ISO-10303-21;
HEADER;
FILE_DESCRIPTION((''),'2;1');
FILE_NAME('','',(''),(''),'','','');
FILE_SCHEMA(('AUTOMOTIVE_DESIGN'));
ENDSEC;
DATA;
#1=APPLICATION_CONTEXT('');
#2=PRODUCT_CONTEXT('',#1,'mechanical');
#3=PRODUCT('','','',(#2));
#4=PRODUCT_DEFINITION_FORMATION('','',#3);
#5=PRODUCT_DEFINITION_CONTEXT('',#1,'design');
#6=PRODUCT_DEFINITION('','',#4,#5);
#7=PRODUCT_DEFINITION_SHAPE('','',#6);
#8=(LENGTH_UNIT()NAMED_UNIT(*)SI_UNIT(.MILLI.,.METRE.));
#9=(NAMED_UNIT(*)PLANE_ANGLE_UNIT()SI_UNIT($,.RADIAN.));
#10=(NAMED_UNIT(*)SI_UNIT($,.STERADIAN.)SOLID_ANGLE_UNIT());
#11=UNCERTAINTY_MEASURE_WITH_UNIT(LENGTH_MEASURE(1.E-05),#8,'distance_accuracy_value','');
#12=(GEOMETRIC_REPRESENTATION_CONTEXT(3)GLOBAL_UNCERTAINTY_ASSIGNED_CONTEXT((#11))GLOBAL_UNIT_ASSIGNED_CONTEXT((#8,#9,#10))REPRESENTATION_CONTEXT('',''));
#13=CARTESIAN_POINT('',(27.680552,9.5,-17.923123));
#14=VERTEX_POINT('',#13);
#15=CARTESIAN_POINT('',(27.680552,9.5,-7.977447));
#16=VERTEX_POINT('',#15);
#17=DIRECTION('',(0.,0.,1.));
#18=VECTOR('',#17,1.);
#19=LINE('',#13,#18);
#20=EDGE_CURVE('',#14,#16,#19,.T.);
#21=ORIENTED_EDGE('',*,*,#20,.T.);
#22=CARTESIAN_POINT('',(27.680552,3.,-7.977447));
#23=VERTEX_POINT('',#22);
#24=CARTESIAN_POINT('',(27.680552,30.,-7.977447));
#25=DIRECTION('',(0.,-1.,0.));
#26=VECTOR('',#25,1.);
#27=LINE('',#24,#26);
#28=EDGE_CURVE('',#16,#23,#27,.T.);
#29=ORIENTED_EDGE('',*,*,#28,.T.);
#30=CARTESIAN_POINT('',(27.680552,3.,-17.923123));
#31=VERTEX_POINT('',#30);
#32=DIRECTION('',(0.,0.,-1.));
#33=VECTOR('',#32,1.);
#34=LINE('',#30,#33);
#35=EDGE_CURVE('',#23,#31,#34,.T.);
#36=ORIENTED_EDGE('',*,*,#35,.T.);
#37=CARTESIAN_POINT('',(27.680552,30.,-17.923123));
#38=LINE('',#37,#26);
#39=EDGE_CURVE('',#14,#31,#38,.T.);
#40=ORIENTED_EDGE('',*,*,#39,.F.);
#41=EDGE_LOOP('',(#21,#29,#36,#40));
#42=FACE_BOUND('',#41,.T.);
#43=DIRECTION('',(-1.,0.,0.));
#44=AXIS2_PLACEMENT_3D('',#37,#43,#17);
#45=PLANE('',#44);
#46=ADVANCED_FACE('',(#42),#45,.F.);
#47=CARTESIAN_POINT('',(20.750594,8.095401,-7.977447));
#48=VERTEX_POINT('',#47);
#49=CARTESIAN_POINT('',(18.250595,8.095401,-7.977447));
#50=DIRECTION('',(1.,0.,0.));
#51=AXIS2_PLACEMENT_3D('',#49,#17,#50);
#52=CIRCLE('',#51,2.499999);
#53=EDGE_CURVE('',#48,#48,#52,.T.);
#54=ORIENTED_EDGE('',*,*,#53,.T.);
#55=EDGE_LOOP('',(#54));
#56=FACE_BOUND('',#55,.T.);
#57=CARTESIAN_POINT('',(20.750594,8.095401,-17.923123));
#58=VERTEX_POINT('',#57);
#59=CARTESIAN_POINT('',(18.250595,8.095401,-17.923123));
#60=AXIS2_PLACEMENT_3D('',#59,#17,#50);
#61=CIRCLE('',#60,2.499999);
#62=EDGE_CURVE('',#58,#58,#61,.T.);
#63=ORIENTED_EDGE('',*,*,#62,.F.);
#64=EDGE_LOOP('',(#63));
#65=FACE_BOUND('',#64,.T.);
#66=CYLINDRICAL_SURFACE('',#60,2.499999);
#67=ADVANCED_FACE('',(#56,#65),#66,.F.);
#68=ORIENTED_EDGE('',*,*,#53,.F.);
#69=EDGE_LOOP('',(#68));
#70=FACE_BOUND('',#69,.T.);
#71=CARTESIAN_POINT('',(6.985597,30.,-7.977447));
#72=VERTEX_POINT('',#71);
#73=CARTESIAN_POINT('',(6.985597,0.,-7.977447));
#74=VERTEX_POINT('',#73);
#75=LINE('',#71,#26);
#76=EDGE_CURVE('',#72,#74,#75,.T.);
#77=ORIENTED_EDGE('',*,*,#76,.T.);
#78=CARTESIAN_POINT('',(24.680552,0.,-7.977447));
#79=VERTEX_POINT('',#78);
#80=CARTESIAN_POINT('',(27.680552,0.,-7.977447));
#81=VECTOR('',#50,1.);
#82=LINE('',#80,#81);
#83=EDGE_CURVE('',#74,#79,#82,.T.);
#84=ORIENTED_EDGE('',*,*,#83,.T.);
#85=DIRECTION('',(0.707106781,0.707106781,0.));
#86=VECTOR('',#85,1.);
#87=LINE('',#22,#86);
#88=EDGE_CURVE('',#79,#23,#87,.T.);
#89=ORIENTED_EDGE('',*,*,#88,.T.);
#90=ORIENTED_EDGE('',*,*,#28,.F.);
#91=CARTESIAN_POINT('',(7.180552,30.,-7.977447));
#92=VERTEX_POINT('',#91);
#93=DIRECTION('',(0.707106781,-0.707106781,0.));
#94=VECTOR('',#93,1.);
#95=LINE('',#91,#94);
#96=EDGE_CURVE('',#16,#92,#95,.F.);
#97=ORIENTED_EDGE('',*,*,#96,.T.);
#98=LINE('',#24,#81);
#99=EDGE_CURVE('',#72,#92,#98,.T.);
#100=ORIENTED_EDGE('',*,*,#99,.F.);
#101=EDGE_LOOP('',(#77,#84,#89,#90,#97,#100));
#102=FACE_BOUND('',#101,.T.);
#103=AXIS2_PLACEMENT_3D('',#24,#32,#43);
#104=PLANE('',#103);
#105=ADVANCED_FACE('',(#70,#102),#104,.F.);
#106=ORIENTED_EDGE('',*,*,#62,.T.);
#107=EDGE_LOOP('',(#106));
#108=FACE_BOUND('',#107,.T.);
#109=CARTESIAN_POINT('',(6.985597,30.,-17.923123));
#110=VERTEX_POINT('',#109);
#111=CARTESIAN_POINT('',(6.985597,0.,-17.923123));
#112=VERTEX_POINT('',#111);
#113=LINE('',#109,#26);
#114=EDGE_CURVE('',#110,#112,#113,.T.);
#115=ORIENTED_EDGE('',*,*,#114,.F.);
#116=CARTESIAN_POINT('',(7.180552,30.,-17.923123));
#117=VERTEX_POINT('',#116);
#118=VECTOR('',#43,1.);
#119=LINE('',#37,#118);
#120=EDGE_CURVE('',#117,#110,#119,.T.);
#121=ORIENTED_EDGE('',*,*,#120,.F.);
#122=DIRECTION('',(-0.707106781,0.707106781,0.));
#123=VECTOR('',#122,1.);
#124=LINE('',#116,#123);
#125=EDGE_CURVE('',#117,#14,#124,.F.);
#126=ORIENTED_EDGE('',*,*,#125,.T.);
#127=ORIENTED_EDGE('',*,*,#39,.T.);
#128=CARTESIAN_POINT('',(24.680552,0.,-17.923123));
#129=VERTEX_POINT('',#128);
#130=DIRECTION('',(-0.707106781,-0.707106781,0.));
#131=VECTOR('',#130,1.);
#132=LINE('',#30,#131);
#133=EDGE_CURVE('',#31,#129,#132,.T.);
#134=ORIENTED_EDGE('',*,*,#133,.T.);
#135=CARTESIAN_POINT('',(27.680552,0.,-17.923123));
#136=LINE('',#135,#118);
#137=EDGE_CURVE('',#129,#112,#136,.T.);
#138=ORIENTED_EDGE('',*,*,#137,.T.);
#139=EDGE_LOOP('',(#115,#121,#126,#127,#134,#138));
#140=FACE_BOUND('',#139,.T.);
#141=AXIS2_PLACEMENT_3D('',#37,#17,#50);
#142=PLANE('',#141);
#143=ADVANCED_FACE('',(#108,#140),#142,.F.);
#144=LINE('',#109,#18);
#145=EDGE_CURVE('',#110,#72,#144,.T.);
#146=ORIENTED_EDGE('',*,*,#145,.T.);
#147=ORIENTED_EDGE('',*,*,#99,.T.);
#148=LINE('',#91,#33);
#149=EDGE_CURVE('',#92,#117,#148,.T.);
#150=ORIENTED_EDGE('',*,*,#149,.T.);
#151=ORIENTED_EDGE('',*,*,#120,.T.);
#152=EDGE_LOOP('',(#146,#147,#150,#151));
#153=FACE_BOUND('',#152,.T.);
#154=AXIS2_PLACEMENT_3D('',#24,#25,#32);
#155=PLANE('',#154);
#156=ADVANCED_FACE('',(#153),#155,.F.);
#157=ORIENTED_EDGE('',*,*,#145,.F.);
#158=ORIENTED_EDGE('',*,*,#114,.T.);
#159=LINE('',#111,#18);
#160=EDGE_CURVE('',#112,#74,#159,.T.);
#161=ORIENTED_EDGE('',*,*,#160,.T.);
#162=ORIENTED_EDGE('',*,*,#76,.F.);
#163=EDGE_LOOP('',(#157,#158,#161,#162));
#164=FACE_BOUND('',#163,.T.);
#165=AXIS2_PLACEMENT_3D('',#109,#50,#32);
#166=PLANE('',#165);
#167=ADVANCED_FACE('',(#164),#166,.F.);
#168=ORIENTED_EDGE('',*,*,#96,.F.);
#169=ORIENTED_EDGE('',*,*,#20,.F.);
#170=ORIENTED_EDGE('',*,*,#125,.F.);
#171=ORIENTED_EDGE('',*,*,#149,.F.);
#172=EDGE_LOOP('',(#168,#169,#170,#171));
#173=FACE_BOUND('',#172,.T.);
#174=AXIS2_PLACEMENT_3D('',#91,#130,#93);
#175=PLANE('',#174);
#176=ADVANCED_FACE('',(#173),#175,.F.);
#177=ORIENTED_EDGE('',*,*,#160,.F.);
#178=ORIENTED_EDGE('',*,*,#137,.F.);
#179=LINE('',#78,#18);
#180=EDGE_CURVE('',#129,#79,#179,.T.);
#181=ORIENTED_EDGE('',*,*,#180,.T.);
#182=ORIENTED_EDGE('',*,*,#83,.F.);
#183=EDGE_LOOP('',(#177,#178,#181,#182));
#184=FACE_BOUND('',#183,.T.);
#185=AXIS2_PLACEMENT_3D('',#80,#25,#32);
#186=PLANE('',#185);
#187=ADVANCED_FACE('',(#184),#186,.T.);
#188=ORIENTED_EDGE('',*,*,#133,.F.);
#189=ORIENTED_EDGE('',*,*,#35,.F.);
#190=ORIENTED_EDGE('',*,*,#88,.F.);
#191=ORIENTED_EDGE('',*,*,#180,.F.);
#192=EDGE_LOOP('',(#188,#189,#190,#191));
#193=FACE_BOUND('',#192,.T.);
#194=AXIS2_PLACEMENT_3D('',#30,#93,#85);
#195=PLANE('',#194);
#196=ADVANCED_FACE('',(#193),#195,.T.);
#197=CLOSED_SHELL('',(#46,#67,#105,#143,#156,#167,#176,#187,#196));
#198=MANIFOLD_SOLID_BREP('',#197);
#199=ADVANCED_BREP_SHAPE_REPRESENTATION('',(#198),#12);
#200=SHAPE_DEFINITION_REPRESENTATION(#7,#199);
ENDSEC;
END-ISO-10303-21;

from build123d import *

# Parameters (mm, degrees)
SKETCH_4_W          = 20.69495493
SKETCH_4_H          = 9.945675455
EXTRUDE_4_DEPTH     = 30
CHAMFER_1_SIZE      = 20.5
CHAMFER_2_SIZE      = 3
SKETCH_5_R          = 2.499998555
CUT_EXTRUDE_1_DEPTH = 43.013443482


with BuildPart() as part:
    # Эскиз4 → Вытянуть4 (new body)
    with BuildSketch(Plane(origin=(0, 0, 0), x_dir=(1, 0, 0), z_dir=(0, 1, 0))):
        with Locations((17.333074787, 12.950285074)):
            Rectangle(SKETCH_4_W, SKETCH_4_H)
    extrude(amount=EXTRUDE_4_DEPTH)

    # Фаска1
    chamfer_1_edges = [part.edges().sort_by_distance(p)[0] for p in [
        (27.680552252, 30, -12.950285073),
    ]]
    chamfer(chamfer_1_edges, length=CHAMFER_1_SIZE)

    # Фаска2
    chamfer_2_edges = [part.edges().sort_by_distance(p)[0] for p in [
        (27.680552252, 0, -12.950285073),
    ]]
    chamfer(chamfer_2_edges, length=CHAMFER_2_SIZE)

    # Эскиз5 → Вырез-Вытянуть1 (cut, through all)
    with BuildSketch(Plane.XY.offset(-7.977447346)):
        with Locations((18.250594968, 8.095401179)):
            Circle(SKETCH_5_R)
    extrude(amount=-CUT_EXTRUDE_1_DEPTH, mode=Mode.SUBTRACT)


solid = part.part
